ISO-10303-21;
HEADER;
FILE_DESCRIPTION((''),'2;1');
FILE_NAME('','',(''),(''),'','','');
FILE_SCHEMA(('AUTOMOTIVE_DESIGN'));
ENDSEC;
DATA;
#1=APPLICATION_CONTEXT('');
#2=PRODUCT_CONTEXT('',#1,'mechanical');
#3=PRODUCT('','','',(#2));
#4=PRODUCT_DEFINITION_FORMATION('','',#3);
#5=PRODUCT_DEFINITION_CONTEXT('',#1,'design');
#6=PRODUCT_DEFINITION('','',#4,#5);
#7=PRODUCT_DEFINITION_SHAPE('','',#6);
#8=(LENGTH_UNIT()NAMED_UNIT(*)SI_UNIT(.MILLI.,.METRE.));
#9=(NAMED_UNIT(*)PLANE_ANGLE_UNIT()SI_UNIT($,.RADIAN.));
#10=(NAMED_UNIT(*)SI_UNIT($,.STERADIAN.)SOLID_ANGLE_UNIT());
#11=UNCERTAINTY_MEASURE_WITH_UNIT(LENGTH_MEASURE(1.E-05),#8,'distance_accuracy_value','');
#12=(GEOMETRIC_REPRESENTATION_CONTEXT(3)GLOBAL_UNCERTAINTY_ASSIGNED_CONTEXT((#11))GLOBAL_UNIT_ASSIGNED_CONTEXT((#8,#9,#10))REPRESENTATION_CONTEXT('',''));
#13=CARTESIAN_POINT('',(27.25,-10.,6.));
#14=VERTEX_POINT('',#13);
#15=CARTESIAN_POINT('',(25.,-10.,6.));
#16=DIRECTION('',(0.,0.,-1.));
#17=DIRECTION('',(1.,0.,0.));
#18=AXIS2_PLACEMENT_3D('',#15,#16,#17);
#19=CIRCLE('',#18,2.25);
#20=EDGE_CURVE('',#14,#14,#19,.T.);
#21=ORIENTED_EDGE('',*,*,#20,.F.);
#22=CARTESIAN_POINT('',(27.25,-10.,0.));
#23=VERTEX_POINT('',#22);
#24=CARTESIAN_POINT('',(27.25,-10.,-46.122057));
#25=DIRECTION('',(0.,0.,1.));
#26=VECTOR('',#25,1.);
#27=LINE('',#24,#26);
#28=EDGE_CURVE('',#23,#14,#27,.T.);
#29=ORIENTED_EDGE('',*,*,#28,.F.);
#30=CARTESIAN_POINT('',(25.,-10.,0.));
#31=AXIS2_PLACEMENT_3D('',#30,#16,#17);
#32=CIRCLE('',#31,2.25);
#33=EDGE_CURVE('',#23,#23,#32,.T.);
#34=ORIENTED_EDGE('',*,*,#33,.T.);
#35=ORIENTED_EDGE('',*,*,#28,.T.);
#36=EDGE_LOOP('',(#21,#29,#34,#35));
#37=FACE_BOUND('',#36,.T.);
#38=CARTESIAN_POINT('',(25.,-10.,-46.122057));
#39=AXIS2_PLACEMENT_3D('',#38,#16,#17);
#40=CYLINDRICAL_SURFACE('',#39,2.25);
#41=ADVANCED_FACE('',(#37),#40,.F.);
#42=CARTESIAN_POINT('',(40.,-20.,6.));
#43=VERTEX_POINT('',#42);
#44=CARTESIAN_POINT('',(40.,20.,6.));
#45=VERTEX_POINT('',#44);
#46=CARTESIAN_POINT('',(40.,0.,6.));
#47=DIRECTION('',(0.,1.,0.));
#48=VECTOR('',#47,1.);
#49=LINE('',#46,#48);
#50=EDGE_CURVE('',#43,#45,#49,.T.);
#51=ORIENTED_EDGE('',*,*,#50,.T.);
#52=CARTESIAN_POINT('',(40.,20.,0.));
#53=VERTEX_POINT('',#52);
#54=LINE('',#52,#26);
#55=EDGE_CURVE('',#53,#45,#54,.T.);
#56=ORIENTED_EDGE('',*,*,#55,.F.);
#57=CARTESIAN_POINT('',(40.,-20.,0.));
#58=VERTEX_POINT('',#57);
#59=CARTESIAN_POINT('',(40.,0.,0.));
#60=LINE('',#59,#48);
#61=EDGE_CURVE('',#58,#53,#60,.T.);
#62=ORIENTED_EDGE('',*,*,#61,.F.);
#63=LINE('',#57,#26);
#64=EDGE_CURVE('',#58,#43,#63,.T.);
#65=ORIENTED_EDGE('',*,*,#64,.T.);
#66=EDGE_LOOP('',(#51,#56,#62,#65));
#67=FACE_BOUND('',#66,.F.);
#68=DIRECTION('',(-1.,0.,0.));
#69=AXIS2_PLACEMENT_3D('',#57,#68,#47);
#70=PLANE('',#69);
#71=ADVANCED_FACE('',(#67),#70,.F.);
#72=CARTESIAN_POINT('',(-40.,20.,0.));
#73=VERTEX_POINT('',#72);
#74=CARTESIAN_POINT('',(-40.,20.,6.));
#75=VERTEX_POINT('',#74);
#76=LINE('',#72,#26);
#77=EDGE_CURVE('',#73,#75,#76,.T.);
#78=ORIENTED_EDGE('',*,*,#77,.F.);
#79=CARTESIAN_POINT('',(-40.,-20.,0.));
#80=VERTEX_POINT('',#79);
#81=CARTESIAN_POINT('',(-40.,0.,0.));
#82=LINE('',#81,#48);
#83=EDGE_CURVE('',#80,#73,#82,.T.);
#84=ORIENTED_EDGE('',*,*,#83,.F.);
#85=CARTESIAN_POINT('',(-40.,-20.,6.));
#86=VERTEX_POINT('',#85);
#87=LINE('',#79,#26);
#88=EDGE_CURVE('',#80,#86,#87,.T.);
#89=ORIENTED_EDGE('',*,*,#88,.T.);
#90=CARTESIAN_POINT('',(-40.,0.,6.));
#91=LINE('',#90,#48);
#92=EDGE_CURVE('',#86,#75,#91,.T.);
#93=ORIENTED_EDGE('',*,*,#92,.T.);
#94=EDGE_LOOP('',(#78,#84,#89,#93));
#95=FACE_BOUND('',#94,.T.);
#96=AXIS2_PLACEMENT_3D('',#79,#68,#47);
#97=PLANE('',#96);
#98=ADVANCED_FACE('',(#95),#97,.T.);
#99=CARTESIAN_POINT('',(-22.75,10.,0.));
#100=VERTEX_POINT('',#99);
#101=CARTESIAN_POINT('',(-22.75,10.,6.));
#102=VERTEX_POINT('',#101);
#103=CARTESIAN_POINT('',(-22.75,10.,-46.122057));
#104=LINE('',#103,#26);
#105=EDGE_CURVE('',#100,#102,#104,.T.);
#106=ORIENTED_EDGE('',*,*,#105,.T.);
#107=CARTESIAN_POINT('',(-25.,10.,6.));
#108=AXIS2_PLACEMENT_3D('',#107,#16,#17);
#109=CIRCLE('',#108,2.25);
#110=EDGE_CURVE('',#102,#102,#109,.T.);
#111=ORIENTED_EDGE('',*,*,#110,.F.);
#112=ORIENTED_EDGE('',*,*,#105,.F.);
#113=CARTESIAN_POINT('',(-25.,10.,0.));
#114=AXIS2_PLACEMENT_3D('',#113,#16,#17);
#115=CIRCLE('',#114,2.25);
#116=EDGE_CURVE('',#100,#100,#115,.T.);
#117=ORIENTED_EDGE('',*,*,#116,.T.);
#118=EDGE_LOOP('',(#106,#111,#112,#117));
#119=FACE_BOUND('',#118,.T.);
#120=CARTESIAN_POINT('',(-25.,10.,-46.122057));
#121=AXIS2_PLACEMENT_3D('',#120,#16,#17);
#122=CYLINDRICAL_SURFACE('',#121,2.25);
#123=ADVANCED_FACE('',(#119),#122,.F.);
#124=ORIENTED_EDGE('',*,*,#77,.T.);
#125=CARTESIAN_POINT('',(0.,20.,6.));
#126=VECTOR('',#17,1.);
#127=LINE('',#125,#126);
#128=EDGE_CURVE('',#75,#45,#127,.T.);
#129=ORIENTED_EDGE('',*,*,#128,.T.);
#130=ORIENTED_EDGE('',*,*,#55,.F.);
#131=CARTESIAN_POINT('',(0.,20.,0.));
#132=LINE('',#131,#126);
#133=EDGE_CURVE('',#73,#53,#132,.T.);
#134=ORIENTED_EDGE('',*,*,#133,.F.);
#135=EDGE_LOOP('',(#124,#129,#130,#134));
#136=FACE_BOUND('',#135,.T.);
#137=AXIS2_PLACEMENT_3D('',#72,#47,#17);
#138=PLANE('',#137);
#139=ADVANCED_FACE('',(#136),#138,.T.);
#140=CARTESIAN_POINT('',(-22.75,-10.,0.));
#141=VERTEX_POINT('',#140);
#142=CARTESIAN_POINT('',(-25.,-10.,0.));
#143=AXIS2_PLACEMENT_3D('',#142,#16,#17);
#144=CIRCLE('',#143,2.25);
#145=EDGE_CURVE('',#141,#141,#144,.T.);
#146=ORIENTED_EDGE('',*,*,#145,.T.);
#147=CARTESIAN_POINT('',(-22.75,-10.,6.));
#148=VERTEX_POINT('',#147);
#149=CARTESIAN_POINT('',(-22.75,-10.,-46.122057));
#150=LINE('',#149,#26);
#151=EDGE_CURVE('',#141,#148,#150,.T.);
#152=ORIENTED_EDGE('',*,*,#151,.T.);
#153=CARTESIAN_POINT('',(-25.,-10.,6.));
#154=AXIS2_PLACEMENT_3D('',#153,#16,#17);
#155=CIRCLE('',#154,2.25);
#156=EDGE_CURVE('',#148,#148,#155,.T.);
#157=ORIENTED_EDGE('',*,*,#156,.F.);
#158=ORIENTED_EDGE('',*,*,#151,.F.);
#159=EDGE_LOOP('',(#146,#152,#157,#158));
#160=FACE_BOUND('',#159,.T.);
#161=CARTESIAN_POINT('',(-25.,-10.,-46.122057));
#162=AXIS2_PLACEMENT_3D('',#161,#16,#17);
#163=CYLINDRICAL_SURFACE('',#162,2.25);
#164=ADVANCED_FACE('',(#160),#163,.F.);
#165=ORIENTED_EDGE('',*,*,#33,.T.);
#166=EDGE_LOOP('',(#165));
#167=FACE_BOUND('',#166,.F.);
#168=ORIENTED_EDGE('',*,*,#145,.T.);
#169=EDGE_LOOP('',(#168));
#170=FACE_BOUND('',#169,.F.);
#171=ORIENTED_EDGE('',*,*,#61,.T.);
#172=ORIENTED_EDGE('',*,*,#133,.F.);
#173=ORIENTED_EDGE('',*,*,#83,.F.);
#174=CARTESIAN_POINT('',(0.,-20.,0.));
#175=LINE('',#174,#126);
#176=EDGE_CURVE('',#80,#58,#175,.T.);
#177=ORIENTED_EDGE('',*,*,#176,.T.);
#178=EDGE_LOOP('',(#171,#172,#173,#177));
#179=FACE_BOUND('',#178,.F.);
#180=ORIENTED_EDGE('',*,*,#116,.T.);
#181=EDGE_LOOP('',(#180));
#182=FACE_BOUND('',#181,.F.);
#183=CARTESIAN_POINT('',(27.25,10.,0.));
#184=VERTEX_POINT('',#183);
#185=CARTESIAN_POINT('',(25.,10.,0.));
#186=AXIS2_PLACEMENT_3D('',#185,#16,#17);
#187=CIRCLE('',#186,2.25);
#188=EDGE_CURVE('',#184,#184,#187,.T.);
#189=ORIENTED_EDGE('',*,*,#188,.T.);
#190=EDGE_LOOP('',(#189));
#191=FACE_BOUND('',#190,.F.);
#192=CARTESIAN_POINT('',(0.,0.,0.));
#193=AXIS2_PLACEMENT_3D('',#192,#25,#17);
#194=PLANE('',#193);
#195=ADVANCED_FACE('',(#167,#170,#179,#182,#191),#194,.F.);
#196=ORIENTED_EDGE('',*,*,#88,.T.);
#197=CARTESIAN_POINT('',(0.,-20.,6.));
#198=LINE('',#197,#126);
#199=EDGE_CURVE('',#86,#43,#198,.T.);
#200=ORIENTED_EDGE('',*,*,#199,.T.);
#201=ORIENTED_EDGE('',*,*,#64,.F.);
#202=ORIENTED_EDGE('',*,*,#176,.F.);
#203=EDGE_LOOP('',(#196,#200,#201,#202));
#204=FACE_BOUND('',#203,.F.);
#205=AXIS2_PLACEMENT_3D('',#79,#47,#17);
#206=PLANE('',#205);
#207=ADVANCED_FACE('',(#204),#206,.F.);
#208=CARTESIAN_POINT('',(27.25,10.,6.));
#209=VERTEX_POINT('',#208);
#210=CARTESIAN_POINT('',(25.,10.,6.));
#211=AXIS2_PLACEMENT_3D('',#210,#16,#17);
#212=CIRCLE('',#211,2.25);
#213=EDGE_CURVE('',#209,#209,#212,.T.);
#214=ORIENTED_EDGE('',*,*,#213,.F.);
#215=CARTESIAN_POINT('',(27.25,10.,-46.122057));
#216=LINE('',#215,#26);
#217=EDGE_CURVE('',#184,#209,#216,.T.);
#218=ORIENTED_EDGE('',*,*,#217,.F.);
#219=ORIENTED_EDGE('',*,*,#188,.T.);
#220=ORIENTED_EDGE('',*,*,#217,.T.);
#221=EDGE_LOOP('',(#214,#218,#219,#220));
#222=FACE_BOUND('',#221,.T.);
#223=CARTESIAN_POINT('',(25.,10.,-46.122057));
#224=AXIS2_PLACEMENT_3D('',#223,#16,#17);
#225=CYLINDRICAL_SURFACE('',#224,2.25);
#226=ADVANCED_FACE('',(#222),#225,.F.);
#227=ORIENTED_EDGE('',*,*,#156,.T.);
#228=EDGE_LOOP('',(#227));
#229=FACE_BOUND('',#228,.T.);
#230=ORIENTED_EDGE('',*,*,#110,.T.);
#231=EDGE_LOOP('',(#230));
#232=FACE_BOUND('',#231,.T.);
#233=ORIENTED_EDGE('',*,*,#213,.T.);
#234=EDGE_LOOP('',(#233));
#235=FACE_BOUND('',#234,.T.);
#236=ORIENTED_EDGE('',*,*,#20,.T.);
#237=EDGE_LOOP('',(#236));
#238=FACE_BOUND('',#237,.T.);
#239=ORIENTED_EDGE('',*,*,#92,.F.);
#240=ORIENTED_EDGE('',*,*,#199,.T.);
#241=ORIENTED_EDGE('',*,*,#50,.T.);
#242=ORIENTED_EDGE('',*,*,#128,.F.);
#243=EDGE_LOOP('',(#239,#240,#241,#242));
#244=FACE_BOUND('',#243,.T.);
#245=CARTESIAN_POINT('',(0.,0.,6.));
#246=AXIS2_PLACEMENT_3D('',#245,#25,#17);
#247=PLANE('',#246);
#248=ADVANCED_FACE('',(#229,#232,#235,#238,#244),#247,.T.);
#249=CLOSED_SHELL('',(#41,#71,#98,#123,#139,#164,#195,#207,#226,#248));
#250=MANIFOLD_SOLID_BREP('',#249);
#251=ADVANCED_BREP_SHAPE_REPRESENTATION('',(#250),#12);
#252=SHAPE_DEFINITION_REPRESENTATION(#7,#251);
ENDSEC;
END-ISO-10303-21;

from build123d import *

# Parameters (mm, degrees)
SKETCH_1_W                = 80
SKETCH_1_H                = 40
EXTRUDE_228_DEPTH         = 6
CUT_EXTRUDE_M4_DEPTH      = 46.122056691
CUT_EXTRUDE_M4_DEPTH_BACK = 46.122056691
SKETCH_2_R                = 2.25


with BuildPart() as part:
    # 草图1 → Extrude 228 (new body)
    with BuildSketch(Plane.XY):
        Rectangle(SKETCH_1_W, SKETCH_1_H)
    extrude(amount=EXTRUDE_228_DEPTH)

    # 草图2 → 拼接M4孔 (cut, two sides: drawn at the far end of the back side and taken through both)
    with BuildSketch(Plane.XY.offset(-CUT_EXTRUDE_M4_DEPTH_BACK)):
        with Locations((-25, -10)):
            Circle(SKETCH_2_R)
        with Locations((-25, 10)):
            Circle(SKETCH_2_R)
        with Locations((25, -10)):
            Circle(SKETCH_2_R)
        with Locations((25, 10)):
            Circle(SKETCH_2_R)
    extrude(amount=CUT_EXTRUDE_M4_DEPTH + CUT_EXTRUDE_M4_DEPTH_BACK, mode=Mode.SUBTRACT)


solid = part.part
